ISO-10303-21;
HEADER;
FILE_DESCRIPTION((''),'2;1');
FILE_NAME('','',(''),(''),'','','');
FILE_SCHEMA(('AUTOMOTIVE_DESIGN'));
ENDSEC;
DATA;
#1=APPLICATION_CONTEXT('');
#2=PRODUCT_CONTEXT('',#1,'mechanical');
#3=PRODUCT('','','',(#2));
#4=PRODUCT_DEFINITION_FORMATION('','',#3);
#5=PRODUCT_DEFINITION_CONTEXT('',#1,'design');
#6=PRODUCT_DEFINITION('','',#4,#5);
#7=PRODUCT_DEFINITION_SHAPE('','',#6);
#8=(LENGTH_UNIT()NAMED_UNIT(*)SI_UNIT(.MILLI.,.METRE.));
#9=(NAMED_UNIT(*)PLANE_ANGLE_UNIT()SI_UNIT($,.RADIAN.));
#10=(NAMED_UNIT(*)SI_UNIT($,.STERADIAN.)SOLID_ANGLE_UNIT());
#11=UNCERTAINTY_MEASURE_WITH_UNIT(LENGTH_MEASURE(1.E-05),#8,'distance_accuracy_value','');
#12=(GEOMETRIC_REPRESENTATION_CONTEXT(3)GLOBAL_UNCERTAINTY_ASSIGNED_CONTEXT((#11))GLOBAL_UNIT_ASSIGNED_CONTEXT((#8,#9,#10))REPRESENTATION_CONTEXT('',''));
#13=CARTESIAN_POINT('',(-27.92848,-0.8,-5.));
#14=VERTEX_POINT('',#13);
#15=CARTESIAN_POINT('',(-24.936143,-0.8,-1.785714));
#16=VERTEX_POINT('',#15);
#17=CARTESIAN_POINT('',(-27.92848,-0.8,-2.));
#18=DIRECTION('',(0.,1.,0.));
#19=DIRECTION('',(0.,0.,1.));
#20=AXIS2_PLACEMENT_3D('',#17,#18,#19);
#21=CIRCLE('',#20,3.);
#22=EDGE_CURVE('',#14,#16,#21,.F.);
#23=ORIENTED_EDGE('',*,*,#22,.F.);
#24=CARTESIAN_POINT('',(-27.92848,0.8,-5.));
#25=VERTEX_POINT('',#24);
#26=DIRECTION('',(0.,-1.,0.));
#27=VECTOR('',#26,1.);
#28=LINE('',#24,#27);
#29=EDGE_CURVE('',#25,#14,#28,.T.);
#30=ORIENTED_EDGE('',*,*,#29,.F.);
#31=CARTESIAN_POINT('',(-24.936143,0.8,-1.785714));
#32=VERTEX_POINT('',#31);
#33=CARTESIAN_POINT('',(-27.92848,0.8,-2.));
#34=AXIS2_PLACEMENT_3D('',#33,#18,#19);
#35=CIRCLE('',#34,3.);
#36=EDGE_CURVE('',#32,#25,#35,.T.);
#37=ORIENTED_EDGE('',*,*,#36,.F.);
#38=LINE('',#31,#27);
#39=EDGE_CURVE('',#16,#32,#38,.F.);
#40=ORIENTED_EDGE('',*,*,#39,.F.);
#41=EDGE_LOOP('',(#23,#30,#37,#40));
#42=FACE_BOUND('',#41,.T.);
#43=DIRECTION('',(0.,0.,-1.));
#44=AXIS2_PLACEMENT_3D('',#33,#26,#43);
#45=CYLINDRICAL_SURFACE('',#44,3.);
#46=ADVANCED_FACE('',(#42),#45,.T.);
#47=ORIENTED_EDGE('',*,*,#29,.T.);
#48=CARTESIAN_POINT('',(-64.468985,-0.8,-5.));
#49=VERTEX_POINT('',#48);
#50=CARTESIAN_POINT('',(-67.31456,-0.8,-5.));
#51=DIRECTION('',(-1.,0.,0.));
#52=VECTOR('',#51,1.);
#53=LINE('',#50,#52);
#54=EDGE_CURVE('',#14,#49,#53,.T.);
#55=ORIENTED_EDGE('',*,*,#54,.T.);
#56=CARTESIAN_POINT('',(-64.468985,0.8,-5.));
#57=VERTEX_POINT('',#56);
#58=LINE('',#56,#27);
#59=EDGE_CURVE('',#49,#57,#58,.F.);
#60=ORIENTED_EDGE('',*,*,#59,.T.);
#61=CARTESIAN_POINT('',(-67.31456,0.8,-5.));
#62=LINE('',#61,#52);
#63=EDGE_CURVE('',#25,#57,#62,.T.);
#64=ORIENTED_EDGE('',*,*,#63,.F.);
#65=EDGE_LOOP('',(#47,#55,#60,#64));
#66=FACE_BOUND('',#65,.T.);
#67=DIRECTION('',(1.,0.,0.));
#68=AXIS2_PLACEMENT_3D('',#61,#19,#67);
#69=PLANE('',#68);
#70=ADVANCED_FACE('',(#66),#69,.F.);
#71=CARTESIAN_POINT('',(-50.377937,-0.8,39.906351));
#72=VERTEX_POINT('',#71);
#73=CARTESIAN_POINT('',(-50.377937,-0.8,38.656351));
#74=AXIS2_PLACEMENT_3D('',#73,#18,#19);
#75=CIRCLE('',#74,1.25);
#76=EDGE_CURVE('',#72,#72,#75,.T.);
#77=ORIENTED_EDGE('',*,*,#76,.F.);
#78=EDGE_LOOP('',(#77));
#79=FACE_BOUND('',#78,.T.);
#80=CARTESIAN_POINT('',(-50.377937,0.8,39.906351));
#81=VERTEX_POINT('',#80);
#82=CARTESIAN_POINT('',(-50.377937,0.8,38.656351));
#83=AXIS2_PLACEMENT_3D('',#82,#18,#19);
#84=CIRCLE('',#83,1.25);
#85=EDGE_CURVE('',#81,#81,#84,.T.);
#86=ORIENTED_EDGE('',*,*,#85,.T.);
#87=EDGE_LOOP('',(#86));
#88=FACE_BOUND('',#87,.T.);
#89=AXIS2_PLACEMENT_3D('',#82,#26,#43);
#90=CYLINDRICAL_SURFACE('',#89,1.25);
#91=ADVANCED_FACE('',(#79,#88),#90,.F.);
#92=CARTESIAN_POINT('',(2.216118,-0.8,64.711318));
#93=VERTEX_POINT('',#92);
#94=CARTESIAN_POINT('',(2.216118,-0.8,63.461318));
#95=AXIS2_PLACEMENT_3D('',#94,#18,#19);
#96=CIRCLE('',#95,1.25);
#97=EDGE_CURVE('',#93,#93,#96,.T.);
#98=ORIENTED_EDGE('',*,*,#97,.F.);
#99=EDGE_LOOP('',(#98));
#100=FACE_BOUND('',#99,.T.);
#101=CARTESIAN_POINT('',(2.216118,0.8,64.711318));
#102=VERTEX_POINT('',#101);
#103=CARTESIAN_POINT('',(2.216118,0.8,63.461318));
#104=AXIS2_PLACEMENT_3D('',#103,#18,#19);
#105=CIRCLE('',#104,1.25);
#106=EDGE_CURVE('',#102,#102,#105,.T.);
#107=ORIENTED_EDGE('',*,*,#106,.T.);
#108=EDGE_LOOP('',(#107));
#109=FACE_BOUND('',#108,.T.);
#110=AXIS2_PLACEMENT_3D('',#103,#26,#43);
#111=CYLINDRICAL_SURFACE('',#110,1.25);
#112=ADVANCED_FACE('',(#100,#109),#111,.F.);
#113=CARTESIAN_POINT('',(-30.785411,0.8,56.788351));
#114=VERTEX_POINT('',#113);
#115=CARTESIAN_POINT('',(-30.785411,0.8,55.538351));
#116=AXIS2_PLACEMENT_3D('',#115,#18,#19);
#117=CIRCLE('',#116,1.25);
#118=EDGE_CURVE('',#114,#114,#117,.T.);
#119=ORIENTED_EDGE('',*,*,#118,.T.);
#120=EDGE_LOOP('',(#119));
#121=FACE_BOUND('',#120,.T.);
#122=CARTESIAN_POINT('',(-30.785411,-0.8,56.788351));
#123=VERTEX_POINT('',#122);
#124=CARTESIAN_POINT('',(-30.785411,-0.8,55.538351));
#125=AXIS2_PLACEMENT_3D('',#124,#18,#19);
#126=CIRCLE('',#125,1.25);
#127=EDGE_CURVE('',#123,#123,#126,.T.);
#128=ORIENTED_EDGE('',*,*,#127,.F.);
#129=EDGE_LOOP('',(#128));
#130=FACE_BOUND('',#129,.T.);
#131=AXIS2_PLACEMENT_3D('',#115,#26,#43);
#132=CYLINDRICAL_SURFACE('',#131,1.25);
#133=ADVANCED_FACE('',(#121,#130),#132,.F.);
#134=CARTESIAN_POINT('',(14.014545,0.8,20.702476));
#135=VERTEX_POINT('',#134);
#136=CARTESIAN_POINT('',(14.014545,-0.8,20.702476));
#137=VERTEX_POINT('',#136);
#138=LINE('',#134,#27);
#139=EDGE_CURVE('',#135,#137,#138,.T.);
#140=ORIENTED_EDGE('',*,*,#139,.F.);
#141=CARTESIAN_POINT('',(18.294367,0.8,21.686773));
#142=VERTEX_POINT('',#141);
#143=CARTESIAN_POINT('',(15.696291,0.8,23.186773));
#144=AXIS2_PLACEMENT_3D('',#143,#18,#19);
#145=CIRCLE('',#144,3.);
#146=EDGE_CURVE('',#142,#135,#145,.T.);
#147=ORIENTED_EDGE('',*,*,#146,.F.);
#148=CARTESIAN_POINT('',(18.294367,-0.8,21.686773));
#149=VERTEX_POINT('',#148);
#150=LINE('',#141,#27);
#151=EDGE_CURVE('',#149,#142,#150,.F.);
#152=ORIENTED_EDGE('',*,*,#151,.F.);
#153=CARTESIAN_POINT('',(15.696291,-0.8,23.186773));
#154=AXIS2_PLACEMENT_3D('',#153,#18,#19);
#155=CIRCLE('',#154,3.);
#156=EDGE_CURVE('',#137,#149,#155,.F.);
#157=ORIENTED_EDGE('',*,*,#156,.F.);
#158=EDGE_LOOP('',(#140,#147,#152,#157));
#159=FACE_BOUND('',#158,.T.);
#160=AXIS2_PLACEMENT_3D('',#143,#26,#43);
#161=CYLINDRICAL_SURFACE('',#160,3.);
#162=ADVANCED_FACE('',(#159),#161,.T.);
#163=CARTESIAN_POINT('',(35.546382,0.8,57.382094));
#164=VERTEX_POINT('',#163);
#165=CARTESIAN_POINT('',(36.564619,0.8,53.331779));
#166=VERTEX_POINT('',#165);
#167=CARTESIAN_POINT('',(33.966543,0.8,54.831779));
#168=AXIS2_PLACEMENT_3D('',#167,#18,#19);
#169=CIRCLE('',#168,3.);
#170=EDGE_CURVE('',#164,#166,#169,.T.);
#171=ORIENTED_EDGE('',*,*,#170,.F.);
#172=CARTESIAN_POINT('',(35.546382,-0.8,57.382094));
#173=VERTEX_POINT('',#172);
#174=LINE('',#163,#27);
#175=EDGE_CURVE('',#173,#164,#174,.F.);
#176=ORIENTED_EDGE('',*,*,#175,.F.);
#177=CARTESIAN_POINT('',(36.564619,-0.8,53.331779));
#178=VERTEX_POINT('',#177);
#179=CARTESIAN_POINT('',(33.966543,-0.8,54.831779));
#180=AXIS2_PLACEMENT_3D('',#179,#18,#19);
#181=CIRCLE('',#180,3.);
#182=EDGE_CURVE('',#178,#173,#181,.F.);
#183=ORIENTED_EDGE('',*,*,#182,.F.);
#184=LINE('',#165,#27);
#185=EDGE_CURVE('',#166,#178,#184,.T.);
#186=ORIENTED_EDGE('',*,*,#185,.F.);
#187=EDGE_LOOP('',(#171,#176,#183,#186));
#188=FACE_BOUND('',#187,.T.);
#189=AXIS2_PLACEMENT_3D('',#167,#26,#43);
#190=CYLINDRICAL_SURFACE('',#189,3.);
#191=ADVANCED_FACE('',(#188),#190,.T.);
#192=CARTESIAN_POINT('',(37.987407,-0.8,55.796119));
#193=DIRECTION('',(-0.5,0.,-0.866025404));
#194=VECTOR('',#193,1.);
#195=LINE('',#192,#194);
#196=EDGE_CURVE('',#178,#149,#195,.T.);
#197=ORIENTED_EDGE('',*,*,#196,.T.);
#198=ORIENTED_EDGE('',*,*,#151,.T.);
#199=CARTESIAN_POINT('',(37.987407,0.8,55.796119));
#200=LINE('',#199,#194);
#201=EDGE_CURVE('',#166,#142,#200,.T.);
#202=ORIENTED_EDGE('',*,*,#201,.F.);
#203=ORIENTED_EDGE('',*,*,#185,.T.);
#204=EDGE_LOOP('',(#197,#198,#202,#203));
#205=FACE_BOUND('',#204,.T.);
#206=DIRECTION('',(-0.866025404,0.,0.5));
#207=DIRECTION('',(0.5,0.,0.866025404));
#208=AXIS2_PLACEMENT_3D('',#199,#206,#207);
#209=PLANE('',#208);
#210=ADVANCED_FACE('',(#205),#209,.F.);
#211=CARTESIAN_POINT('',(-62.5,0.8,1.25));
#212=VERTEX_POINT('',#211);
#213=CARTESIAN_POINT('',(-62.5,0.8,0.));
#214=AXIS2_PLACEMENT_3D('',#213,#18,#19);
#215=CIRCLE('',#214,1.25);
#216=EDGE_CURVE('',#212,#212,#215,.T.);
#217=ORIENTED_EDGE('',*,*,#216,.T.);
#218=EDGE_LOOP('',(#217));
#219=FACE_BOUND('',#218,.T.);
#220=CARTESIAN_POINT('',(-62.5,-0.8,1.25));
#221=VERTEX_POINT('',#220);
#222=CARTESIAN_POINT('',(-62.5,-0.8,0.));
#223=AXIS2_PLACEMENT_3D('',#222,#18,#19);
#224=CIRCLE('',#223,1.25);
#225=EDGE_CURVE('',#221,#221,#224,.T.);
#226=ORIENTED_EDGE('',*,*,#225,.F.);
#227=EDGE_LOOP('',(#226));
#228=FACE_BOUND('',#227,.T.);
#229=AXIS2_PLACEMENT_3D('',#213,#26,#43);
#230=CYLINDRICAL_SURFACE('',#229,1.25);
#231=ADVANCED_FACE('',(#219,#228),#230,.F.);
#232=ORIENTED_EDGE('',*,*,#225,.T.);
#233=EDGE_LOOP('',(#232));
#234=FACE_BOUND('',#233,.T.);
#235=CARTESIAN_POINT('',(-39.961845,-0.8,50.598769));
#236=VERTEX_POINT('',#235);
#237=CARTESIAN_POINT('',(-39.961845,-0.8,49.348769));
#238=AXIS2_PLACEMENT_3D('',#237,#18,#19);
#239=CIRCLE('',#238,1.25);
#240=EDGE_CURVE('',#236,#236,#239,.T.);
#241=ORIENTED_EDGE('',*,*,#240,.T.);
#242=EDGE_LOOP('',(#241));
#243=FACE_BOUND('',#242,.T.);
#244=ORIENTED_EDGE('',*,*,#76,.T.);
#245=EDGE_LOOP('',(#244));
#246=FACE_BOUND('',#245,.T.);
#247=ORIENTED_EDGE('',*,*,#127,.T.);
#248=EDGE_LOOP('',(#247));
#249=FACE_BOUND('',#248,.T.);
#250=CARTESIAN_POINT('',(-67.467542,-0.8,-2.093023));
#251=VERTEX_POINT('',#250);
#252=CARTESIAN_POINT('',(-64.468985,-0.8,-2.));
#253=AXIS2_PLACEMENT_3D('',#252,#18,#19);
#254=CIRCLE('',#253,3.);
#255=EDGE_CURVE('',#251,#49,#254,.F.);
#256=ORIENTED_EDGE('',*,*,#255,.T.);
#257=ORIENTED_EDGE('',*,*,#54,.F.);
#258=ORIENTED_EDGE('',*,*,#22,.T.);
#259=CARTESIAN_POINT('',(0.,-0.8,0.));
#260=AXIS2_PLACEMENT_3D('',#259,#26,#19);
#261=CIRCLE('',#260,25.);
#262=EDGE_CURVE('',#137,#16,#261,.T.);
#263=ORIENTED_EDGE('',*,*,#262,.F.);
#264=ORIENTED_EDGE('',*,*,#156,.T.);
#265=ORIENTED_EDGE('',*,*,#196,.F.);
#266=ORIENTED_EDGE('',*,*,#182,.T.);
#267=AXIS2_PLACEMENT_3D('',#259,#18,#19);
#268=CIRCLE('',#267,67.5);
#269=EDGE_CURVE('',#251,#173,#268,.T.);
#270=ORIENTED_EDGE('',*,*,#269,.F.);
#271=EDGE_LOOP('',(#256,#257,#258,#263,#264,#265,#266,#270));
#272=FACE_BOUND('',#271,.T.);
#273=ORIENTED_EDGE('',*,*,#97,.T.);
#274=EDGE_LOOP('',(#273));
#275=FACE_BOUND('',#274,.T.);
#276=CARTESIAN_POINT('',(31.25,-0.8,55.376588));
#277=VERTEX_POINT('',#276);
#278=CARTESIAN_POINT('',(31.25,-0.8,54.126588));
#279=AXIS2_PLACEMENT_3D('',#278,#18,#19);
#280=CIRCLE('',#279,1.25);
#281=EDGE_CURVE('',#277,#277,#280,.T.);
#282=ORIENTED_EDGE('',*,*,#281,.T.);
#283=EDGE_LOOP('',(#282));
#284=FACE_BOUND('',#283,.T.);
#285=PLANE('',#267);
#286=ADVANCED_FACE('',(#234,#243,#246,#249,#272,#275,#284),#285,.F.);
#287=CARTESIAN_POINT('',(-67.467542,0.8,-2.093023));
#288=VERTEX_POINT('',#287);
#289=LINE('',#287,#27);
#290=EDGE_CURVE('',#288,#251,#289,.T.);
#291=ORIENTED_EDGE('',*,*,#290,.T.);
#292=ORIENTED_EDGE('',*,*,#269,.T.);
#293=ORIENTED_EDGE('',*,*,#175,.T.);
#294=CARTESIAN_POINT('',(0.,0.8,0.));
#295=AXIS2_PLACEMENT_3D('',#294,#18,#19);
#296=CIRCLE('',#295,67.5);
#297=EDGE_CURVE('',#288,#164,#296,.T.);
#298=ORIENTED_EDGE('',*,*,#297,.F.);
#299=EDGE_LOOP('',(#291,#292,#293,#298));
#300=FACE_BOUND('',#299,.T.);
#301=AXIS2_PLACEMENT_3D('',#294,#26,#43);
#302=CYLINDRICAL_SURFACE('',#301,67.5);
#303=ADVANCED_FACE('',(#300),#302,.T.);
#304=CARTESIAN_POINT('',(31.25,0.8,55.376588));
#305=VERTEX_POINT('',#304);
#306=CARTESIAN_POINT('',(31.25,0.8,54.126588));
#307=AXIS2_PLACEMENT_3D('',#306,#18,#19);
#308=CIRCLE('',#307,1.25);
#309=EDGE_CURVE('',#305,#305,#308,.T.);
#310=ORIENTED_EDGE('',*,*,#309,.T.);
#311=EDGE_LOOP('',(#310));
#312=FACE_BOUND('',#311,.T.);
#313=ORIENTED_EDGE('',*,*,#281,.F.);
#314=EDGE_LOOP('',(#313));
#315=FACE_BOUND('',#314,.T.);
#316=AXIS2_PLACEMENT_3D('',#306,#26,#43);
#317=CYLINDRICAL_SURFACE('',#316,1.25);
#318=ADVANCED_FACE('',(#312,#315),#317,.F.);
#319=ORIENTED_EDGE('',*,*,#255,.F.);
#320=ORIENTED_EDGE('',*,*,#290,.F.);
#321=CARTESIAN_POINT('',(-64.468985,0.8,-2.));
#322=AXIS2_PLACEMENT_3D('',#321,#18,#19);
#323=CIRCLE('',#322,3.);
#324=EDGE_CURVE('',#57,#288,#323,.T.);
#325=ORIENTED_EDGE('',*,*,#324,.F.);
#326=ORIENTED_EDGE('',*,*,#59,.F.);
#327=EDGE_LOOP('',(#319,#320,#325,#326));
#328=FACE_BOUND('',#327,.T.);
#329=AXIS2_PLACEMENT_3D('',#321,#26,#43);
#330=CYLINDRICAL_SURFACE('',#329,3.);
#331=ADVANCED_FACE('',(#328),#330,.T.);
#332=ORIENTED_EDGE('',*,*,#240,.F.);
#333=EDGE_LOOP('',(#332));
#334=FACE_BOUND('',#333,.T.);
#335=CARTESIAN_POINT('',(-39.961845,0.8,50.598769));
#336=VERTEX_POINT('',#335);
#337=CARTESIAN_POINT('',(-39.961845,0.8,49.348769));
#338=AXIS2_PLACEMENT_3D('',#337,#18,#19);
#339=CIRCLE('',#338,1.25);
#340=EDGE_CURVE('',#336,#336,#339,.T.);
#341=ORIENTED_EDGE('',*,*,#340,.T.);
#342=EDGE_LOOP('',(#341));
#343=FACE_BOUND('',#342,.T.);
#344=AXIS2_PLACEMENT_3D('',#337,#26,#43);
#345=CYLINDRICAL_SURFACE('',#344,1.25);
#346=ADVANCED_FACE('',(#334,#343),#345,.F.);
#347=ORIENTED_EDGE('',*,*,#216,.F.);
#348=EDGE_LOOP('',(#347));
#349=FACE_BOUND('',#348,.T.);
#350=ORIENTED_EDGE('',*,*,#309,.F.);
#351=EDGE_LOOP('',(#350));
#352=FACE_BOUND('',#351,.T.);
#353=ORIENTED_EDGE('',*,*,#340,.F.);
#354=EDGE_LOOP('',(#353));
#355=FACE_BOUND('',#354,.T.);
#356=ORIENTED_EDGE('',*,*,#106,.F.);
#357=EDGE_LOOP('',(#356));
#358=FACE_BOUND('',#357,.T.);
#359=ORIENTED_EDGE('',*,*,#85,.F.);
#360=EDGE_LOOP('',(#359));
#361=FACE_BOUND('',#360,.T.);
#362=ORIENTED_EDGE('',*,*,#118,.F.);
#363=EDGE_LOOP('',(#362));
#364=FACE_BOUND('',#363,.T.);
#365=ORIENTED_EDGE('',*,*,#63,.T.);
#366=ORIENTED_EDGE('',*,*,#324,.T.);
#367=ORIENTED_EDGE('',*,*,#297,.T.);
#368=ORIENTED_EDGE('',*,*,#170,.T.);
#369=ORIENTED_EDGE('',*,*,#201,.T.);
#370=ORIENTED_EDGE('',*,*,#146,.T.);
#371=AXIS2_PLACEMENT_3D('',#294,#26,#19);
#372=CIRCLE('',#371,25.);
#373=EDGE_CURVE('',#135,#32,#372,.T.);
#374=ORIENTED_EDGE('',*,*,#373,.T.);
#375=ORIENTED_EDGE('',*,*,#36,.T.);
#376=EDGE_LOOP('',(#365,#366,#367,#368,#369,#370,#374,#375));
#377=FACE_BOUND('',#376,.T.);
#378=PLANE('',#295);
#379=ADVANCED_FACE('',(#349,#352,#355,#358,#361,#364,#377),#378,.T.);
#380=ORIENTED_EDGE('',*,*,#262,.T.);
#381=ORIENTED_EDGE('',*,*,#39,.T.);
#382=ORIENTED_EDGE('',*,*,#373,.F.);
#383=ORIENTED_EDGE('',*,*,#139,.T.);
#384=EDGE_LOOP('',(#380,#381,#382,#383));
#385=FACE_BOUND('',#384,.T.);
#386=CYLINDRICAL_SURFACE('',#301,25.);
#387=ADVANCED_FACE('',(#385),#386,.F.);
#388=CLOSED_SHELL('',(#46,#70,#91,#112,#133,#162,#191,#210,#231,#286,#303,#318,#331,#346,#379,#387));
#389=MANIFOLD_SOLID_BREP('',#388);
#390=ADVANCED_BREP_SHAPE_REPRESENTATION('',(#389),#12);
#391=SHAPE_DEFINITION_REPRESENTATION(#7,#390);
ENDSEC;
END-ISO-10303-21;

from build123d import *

# Parameters (mm, degrees)
SKETCH1_R           = 1.25
BOSS_EXTRUDE1_DEPTH = 0.8
FILLET1_R           = 3


with BuildPart() as part:
    # Sketch1 → Boss-Extrude1 (new body, symmetric)
    with BuildSketch(Plane(origin=(0, 0, 0), x_dir=(1, 0, 0), z_dir=(0, 1, 0))):
        with BuildLine():
            Line((-67.314560089, 5), (-24.494897428, 5))
            ThreePointArc((-24.494897428, 5), (-12.5, -21.650635095), (16.577575733, -18.713203436))
            Line((16.577575733, -18.713203436), (37.987407064, -55.796119082))
            ThreePointArc((37.987407064, -55.796119082), (-33.75, -58.456714755), (-67.314560089, 5))
        make_face()
        with Locations((-62.5, 0)):
            Circle(SKETCH1_R, mode=Mode.SUBTRACT)
        with Locations((31.25, -54.126587737)):
            Circle(SKETCH1_R, mode=Mode.SUBTRACT)
        with Locations((2.216118041, -63.461317516)):
            Circle(SKETCH1_R, mode=Mode.SUBTRACT)
        with Locations((-30.785410886, -55.538351403)):
            Circle(SKETCH1_R, mode=Mode.SUBTRACT)
        with Locations((-39.961844832, -49.348768553)):
            Circle(SKETCH1_R, mode=Mode.SUBTRACT)
        with Locations((-50.377937108, -38.656350742)):
            Circle(SKETCH1_R, mode=Mode.SUBTRACT)
    extrude(amount=BOSS_EXTRUDE1_DEPTH, both=True)

    # Fillet1
    fillet1_edges = [part.edges().sort_by_distance(p)[0] for p in [
        (-67.314560089, 0, -5),
        (-24.494897428, 0, -5),
        (16.577575733, 0, 18.713203436),
        (37.987407064, 0, 55.796119082),
    ]]
    fillet(fillet1_edges, radius=FILLET1_R)


solid = part.part
